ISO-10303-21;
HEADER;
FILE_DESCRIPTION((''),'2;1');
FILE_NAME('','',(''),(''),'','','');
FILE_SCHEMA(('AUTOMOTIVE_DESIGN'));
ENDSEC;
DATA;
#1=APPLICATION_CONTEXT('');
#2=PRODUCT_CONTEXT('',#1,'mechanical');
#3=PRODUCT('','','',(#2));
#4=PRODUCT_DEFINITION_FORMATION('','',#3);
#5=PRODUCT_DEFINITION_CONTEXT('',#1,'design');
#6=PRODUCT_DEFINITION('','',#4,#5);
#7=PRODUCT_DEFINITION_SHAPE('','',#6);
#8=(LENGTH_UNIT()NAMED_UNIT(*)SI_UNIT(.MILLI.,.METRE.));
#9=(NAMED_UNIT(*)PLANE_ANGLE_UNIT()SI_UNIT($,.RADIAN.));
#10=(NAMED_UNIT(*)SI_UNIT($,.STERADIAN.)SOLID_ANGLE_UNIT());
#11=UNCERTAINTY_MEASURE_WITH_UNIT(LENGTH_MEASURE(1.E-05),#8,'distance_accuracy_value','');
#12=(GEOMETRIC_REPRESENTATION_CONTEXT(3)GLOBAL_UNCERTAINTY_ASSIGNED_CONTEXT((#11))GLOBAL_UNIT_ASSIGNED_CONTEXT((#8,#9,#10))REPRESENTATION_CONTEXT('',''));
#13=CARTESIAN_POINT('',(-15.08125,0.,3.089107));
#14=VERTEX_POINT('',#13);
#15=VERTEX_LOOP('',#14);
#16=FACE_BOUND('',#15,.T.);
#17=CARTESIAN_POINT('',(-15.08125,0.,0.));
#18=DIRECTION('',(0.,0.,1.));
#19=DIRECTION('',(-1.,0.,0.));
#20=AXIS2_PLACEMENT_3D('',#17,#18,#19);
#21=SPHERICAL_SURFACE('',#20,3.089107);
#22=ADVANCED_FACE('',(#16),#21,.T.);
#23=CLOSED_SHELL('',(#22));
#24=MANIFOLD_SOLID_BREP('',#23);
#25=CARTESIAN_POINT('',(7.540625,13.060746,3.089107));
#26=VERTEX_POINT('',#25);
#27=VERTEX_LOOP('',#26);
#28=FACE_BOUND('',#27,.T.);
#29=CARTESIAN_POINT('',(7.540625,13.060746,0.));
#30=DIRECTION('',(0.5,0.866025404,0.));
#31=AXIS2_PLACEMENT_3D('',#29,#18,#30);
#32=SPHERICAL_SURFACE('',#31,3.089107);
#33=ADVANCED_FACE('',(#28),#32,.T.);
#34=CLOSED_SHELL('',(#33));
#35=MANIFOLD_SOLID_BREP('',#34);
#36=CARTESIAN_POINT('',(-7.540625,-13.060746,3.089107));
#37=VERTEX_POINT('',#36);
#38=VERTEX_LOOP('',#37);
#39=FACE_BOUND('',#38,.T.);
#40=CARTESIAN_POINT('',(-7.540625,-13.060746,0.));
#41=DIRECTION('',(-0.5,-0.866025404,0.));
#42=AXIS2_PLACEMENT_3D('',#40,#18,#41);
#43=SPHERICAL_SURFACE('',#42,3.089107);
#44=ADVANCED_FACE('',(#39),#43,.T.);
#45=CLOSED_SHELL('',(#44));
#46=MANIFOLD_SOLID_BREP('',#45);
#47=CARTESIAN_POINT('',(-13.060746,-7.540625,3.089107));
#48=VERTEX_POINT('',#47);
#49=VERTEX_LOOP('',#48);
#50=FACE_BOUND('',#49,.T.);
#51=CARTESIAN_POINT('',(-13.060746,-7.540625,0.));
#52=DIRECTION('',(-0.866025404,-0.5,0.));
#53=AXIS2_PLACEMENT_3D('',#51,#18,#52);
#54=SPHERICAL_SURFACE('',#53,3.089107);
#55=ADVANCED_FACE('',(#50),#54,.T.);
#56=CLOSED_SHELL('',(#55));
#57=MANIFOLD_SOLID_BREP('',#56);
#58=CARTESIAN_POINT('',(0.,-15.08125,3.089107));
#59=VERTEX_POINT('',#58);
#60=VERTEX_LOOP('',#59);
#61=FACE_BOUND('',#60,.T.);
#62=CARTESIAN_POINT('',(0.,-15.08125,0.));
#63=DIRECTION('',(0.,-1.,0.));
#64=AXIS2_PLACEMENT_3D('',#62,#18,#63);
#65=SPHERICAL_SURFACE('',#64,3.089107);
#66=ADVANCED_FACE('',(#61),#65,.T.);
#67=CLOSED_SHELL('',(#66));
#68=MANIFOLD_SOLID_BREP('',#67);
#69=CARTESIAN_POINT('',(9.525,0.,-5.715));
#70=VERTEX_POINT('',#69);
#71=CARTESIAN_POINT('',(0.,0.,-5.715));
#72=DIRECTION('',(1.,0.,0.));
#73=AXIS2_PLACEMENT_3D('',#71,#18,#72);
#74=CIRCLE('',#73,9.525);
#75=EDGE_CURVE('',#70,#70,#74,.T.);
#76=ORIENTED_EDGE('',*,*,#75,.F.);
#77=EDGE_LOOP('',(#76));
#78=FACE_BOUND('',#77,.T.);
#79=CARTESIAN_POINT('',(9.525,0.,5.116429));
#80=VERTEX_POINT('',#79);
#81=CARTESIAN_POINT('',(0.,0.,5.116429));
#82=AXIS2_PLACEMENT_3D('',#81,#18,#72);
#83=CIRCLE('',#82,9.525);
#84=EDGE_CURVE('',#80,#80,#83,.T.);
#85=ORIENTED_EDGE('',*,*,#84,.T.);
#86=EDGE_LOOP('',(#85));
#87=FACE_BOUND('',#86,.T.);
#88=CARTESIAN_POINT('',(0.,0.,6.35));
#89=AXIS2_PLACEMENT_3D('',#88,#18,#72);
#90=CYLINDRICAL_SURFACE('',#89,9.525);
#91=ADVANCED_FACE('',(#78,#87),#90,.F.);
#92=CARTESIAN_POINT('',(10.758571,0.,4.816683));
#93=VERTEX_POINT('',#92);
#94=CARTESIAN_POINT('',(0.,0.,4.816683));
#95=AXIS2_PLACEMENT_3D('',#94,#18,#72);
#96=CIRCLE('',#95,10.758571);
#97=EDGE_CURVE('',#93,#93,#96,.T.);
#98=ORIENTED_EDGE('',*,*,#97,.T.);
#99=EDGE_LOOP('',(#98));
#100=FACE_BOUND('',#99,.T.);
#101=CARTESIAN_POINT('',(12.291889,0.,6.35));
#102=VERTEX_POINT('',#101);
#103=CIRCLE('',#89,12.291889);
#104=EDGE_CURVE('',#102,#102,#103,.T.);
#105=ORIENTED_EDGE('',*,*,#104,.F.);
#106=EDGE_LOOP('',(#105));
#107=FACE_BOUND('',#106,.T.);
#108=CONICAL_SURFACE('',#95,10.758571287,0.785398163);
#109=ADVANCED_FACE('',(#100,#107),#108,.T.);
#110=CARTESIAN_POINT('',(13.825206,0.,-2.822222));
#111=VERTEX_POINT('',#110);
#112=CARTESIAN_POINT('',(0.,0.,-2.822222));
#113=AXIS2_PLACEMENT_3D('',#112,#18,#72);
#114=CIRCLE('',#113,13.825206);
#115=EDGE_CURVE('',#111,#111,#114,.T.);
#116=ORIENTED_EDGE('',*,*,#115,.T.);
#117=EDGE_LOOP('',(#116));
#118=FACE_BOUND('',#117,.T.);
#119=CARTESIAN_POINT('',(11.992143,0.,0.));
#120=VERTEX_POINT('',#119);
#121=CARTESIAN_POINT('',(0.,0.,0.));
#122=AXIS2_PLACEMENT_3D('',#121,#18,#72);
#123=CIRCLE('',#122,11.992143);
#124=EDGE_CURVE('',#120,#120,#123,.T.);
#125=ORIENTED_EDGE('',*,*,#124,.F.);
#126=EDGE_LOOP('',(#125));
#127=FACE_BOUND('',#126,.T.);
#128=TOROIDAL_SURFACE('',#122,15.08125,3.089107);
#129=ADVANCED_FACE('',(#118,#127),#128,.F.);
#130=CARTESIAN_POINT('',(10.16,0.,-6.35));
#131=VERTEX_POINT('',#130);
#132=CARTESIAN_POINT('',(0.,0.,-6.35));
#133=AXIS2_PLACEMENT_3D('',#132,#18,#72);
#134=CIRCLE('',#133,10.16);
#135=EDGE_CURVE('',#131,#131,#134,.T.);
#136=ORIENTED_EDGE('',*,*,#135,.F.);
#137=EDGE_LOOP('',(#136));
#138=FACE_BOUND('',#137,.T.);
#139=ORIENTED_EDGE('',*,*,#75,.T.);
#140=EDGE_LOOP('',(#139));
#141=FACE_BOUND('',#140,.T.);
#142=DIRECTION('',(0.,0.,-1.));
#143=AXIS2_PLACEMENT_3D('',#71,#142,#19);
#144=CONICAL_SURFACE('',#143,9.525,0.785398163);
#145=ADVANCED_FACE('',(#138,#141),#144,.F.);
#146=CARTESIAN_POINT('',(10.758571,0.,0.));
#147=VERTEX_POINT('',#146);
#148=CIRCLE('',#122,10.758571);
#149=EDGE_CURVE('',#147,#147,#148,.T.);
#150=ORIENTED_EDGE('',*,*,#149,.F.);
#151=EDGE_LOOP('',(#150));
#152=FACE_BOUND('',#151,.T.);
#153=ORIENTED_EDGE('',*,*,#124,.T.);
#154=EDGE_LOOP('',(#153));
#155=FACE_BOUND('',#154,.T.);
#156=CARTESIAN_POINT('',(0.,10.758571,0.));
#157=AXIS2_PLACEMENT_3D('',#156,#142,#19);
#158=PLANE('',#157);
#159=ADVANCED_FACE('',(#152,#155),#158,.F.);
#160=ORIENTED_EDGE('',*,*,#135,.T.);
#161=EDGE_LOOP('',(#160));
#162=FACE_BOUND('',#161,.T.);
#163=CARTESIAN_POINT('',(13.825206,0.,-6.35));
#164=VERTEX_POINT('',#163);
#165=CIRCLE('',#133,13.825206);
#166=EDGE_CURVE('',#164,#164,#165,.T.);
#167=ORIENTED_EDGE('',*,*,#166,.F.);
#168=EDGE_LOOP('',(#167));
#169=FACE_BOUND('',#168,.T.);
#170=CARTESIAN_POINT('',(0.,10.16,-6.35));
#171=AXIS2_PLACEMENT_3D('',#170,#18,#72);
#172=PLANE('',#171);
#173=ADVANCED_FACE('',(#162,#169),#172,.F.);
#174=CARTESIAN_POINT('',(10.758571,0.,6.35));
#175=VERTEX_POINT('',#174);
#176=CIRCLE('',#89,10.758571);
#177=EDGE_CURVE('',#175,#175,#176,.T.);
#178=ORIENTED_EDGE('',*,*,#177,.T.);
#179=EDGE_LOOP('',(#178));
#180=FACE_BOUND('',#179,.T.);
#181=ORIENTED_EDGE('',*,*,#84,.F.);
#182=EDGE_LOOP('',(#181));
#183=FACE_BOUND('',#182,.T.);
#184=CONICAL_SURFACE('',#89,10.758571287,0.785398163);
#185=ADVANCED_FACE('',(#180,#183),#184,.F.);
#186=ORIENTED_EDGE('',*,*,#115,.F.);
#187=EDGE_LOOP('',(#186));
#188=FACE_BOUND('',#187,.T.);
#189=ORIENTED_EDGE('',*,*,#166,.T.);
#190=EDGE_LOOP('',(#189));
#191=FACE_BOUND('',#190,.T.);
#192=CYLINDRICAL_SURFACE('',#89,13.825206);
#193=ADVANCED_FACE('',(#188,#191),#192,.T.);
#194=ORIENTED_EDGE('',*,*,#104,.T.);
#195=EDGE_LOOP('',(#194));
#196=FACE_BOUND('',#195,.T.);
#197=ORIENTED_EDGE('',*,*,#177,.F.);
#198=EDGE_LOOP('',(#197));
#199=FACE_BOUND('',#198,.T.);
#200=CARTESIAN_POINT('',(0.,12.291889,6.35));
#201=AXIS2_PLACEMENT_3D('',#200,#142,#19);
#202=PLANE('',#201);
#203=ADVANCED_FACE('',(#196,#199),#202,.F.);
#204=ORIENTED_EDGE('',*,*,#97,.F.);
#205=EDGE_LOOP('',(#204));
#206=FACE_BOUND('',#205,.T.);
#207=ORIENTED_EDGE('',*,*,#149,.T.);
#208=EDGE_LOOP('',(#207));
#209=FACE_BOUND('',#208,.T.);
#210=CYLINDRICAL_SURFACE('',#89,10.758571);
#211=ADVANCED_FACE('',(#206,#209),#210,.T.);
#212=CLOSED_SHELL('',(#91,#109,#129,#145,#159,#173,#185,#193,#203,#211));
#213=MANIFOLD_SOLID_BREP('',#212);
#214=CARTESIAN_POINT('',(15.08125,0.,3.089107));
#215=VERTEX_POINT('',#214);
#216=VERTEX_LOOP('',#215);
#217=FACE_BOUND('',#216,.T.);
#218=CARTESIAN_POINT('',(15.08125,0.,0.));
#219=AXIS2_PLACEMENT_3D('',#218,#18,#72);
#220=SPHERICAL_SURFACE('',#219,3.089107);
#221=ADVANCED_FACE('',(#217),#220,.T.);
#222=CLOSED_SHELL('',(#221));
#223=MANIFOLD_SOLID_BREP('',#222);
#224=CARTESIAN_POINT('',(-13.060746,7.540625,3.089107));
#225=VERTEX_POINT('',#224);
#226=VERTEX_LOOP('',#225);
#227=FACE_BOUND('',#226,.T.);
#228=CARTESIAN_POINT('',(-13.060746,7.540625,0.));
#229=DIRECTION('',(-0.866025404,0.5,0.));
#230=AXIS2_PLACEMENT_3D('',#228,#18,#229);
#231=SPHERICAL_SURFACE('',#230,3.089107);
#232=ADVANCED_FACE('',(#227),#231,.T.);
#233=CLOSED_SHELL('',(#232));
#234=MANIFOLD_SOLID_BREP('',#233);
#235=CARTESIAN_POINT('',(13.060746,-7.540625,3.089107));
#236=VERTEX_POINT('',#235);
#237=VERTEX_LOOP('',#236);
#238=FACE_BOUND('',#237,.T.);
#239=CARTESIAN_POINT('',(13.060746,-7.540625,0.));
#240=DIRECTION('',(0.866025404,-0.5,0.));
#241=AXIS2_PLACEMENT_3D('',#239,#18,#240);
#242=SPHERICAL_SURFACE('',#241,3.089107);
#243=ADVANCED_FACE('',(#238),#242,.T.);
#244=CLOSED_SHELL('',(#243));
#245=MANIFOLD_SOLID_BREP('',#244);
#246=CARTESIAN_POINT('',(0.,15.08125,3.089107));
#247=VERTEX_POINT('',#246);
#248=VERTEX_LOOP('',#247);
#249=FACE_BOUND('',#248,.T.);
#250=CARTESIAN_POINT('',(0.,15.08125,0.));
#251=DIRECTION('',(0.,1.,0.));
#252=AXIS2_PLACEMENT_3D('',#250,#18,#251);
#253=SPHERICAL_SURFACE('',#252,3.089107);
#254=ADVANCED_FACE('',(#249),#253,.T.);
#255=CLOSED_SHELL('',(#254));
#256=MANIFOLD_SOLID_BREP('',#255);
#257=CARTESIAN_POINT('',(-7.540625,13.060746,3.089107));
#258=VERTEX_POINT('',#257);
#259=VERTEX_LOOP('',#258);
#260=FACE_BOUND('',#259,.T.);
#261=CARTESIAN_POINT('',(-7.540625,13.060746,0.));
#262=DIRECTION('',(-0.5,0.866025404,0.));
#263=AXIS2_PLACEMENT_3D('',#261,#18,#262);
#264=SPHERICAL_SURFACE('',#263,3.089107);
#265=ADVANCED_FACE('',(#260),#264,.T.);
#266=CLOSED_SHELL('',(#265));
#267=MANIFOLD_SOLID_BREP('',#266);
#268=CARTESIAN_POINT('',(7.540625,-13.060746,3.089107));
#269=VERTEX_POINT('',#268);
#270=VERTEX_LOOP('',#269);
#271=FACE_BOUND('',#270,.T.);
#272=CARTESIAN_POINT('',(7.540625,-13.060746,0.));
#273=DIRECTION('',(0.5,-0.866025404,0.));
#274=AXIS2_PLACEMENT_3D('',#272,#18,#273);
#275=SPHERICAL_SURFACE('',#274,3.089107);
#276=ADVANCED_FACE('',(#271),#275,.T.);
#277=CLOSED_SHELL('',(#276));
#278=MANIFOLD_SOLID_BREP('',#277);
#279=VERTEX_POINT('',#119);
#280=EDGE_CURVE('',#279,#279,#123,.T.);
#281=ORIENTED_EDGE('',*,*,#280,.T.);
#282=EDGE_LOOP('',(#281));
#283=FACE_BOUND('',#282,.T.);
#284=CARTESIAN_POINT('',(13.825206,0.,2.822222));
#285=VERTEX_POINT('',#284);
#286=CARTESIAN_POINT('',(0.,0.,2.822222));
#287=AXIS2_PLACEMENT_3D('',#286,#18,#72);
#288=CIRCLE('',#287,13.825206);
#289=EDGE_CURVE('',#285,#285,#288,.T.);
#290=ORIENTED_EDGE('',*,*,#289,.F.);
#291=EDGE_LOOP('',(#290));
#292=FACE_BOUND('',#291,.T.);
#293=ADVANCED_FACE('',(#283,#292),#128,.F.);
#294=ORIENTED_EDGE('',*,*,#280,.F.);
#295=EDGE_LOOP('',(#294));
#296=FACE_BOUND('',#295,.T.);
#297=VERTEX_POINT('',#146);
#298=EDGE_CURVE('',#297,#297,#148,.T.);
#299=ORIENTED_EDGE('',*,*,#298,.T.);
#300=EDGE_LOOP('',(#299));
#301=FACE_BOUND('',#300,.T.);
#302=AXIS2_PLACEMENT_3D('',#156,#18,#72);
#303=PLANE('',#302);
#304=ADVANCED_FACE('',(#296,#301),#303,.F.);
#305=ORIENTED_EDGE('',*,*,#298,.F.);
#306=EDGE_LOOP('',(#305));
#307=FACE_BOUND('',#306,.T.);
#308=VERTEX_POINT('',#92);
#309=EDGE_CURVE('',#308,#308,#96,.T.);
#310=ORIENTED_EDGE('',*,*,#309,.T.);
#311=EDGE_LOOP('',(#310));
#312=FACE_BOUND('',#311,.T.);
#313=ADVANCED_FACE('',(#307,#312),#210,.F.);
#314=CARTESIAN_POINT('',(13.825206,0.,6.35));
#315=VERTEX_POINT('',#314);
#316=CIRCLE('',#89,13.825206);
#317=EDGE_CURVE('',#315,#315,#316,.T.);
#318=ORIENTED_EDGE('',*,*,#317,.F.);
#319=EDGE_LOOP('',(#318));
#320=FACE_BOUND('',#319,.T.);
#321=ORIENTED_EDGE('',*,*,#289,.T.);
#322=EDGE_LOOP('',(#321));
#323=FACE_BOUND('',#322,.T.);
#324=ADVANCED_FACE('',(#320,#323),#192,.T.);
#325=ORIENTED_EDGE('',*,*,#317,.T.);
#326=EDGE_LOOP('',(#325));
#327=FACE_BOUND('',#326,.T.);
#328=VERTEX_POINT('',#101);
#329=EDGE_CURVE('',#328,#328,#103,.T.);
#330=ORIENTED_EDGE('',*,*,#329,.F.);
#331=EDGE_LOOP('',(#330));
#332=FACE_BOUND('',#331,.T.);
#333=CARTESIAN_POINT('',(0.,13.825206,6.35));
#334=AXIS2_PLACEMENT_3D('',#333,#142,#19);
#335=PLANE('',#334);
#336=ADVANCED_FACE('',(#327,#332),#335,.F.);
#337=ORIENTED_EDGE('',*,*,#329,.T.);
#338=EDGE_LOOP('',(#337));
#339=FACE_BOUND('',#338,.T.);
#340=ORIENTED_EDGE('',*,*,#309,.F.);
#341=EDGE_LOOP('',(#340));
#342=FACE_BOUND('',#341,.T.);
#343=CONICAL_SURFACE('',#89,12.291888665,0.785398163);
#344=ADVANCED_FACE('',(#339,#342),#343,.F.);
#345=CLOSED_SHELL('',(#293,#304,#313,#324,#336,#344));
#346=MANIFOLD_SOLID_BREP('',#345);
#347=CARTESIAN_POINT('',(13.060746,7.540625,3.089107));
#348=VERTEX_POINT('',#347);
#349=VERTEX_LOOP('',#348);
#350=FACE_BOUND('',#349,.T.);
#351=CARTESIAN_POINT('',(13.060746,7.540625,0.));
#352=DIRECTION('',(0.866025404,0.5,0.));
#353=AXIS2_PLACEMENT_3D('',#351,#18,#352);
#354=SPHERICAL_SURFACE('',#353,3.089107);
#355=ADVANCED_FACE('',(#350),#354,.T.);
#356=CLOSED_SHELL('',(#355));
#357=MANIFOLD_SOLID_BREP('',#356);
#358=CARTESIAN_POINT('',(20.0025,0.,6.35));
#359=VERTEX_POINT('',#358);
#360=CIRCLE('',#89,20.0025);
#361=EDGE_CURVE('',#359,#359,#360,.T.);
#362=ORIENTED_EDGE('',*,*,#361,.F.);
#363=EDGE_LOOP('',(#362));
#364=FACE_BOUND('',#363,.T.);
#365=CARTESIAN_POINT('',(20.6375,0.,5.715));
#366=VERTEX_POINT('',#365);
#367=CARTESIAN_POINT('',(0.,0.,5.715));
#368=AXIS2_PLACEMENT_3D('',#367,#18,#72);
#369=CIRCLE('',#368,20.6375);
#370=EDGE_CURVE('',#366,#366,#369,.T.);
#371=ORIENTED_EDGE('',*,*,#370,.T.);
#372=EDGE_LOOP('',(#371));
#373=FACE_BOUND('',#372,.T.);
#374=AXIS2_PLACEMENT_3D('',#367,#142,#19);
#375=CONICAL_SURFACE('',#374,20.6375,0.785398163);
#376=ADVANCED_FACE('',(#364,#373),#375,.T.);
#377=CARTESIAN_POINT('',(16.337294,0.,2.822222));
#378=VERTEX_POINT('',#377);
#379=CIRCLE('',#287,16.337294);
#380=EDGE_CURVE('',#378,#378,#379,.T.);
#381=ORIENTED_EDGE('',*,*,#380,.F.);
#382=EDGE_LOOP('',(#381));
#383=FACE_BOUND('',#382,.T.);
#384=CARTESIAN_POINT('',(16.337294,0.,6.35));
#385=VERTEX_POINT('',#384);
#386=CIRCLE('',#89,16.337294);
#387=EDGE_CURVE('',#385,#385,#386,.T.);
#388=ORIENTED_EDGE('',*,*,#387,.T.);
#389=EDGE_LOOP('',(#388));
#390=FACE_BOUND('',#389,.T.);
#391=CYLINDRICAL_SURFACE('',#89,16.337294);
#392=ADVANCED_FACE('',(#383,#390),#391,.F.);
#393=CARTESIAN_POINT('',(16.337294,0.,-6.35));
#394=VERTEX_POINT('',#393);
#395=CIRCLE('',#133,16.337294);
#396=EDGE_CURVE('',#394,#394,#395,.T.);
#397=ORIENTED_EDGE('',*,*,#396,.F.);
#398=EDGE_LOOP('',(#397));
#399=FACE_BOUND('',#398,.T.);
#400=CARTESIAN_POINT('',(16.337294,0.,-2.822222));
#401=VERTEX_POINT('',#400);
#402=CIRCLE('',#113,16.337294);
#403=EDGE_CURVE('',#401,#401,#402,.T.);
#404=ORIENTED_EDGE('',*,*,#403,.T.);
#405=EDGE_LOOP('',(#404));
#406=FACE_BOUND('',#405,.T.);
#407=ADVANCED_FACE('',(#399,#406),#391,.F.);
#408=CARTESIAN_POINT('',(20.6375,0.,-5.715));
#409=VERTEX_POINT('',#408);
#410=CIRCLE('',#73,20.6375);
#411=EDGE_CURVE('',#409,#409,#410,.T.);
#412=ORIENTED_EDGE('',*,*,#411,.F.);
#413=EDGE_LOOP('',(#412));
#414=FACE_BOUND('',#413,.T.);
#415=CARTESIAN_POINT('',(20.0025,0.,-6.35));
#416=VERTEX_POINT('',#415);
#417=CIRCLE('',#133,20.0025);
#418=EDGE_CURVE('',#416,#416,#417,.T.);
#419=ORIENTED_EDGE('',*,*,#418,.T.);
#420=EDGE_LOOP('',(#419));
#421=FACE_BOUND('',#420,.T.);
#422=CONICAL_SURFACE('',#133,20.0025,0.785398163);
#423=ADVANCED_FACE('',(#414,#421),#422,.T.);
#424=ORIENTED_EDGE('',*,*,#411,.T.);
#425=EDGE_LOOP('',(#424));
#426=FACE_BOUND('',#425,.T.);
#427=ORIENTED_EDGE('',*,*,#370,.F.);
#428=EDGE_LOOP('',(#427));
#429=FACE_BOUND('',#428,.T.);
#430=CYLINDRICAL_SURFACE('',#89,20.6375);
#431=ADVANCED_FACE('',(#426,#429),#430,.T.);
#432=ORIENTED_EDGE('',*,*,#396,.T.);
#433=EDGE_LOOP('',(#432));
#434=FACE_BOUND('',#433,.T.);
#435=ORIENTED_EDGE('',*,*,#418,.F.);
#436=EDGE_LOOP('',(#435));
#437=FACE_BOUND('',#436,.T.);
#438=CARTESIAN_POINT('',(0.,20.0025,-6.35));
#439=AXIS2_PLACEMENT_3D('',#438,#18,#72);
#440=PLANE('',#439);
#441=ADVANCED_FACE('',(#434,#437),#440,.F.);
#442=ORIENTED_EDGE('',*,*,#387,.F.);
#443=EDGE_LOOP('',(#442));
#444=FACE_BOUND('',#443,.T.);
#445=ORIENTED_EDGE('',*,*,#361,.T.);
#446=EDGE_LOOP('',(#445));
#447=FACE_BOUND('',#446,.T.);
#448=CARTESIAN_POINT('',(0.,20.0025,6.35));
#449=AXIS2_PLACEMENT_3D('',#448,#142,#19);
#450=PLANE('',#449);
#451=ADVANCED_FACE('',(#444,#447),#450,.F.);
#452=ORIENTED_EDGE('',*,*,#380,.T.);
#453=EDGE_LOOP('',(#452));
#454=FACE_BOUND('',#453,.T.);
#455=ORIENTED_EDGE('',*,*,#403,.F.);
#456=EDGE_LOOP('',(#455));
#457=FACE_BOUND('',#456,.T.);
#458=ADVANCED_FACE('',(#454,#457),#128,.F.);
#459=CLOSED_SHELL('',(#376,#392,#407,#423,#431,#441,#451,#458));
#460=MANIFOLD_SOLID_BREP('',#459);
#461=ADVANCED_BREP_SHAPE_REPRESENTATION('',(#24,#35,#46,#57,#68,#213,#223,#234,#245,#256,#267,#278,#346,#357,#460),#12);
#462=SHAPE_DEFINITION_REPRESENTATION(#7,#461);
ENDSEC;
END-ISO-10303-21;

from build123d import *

# Parameters (mm, degrees)
CIRPATTERN1_COUNT = 12


with BuildPart() as part:
    # Sketch1 → Revolve1 (revolve)
    with BuildSketch(Plane(origin=(0, 0, 0), x_dir=(0, 0, -1), z_dir=(1, 0, 0))):
        with BuildLine():
            Line((5.715, 20.6375), (-5.715, 20.6375))
            Line((-5.715, 20.6375), (-6.35, 20.0025))
            Line((-6.35, 20.0025), (-6.35, 16.337293956))
            Line((-6.35, 16.337293956), (-2.822222222, 16.337293956))
            ThreePointArc((-2.822222222, 16.337293956), (0, 18.170357426), (2.822222222, 16.337293956))
            Line((2.822222222, 16.337293956), (6.35, 16.337293956))
            Line((6.35, 16.337293956), (6.35, 20.0025))
            Line((6.35, 20.0025), (5.715, 20.6375))
        make_face()
    revolve(axis=Axis((0, 0, 6.35), (0, 0, -1)))


with BuildPart() as body_2:
    # Sketch2 → Revolve2 (revolve)
    with BuildSketch(Plane(origin=(0, 0, 0), x_dir=(0, 0, -1), z_dir=(1, 0, 0))):
        with BuildLine():
            Line((-6.35, 13.825206044), (-2.822222222, 13.825206044))
            ThreePointArc((-2.822222222, 13.825206044), (-1.682636321, 12.490628511), (0, 11.992142574))
            Line((0, 11.992142574), (0, 10.758571287))
            Line((0, 10.758571287), (-4.816682621, 10.758571287))
            Line((-4.816682621, 10.758571287), (-6.35, 12.291888665))
            Line((-6.35, 12.291888665), (-6.35, 13.825206044))
        make_face()
    revolve(axis=Axis((0, 0, 6.35), (0, 0, -1)))


with BuildPart() as body_3:
    # Sketch3 → Revolve3 (revolve)
    with BuildSketch(Plane(origin=(0, 0, 0), x_dir=(0, 0, -1), z_dir=(1, 0, 0))):
        with BuildLine():
            Line((-6.35, 12.291888665), (-4.816682621, 10.758571287))
            Line((-4.816682621, 10.758571287), (0, 10.758571287))
            Line((0, 10.758571287), (0, 11.992142574))
            ThreePointArc((0, 11.992142574), (1.682636321, 12.490628511), (2.822222222, 13.825206044))
            Line((2.822222222, 13.825206044), (6.35, 13.825206044))
            Line((6.35, 13.825206044), (6.35, 10.16))
            Line((6.35, 10.16), (5.715, 9.525))
            Line((5.715, 9.525), (-5.116428713, 9.525))
            Line((-5.116428713, 9.525), (-6.35, 10.758571287))
            Line((-6.35, 10.758571287), (-6.35, 12.291888665))
        make_face()
    revolve(axis=Axis((0, 0, 6.35), (0, 0, -1)))


with BuildPart() as body_4:
    # Sketch4 → Revolve4 (revolve)
    with BuildSketch(Plane(origin=(0, 0, 0), x_dir=(0, 0, -1), z_dir=(1, 0, 0))):
        with BuildLine():
            Line((-3.089107426, 15.08125), (3.089107426, 15.08125))
            ThreePointArc((3.089107426, 15.08125), (0, 18.170357426), (-3.089107426, 15.08125))
        make_face()
    revolve(axis=Axis((0, 15.08125, 3.089107426), (0, 0, -1)))


with BuildPart() as cirpattern1_1:
    # CirPattern1: pattern copy
    add(body_4.part.rotate(Axis((0, 0, -6.35), (0, 0, 1)), 1 * 360 / CIRPATTERN1_COUNT))


with BuildPart() as cirpattern1_2:
    # CirPattern1: pattern copy
    add(body_4.part.rotate(Axis((0, 0, -6.35), (0, 0, 1)), 2 * 360 / CIRPATTERN1_COUNT))


with BuildPart() as cirpattern1_3:
    # CirPattern1: pattern copy
    add(body_4.part.rotate(Axis((0, 0, -6.35), (0, 0, 1)), 3 * 360 / CIRPATTERN1_COUNT))


with BuildPart() as cirpattern1_4:
    # CirPattern1: pattern copy
    add(body_4.part.rotate(Axis((0, 0, -6.35), (0, 0, 1)), 4 * 360 / CIRPATTERN1_COUNT))


with BuildPart() as cirpattern1_5:
    # CirPattern1: pattern copy
    add(body_4.part.rotate(Axis((0, 0, -6.35), (0, 0, 1)), 5 * 360 / CIRPATTERN1_COUNT))


with BuildPart() as cirpattern1_6:
    # CirPattern1: pattern copy
    add(body_4.part.rotate(Axis((0, 0, -6.35), (0, 0, 1)), 6 * 360 / CIRPATTERN1_COUNT))


with BuildPart() as cirpattern1_7:
    # CirPattern1: pattern copy
    add(body_4.part.rotate(Axis((0, 0, -6.35), (0, 0, 1)), 7 * 360 / CIRPATTERN1_COUNT))


with BuildPart() as cirpattern1_8:
    # CirPattern1: pattern copy
    add(body_4.part.rotate(Axis((0, 0, -6.35), (0, 0, 1)), 8 * 360 / CIRPATTERN1_COUNT))


with BuildPart() as cirpattern1_9:
    # CirPattern1: pattern copy
    add(body_4.part.rotate(Axis((0, 0, -6.35), (0, 0, 1)), 9 * 360 / CIRPATTERN1_COUNT))


with BuildPart() as cirpattern1_10:
    # CirPattern1: pattern copy
    add(body_4.part.rotate(Axis((0, 0, -6.35), (0, 0, 1)), 10 * 360 / CIRPATTERN1_COUNT))


with BuildPart() as cirpattern1_11:
    # CirPattern1: pattern copy
    add(body_4.part.rotate(Axis((0, 0, -6.35), (0, 0, 1)), 11 * 360 / CIRPATTERN1_COUNT))


solid = Compound([part.part, body_2.part, body_3.part, body_4.part, cirpattern1_1.part, cirpattern1_2.part, cirpattern1_3.part, cirpattern1_4.part, cirpattern1_5.part, cirpattern1_6.part, cirpattern1_7.part, cirpattern1_8.part, cirpattern1_9.part, cirpattern1_10.part, cirpattern1_11.part])
